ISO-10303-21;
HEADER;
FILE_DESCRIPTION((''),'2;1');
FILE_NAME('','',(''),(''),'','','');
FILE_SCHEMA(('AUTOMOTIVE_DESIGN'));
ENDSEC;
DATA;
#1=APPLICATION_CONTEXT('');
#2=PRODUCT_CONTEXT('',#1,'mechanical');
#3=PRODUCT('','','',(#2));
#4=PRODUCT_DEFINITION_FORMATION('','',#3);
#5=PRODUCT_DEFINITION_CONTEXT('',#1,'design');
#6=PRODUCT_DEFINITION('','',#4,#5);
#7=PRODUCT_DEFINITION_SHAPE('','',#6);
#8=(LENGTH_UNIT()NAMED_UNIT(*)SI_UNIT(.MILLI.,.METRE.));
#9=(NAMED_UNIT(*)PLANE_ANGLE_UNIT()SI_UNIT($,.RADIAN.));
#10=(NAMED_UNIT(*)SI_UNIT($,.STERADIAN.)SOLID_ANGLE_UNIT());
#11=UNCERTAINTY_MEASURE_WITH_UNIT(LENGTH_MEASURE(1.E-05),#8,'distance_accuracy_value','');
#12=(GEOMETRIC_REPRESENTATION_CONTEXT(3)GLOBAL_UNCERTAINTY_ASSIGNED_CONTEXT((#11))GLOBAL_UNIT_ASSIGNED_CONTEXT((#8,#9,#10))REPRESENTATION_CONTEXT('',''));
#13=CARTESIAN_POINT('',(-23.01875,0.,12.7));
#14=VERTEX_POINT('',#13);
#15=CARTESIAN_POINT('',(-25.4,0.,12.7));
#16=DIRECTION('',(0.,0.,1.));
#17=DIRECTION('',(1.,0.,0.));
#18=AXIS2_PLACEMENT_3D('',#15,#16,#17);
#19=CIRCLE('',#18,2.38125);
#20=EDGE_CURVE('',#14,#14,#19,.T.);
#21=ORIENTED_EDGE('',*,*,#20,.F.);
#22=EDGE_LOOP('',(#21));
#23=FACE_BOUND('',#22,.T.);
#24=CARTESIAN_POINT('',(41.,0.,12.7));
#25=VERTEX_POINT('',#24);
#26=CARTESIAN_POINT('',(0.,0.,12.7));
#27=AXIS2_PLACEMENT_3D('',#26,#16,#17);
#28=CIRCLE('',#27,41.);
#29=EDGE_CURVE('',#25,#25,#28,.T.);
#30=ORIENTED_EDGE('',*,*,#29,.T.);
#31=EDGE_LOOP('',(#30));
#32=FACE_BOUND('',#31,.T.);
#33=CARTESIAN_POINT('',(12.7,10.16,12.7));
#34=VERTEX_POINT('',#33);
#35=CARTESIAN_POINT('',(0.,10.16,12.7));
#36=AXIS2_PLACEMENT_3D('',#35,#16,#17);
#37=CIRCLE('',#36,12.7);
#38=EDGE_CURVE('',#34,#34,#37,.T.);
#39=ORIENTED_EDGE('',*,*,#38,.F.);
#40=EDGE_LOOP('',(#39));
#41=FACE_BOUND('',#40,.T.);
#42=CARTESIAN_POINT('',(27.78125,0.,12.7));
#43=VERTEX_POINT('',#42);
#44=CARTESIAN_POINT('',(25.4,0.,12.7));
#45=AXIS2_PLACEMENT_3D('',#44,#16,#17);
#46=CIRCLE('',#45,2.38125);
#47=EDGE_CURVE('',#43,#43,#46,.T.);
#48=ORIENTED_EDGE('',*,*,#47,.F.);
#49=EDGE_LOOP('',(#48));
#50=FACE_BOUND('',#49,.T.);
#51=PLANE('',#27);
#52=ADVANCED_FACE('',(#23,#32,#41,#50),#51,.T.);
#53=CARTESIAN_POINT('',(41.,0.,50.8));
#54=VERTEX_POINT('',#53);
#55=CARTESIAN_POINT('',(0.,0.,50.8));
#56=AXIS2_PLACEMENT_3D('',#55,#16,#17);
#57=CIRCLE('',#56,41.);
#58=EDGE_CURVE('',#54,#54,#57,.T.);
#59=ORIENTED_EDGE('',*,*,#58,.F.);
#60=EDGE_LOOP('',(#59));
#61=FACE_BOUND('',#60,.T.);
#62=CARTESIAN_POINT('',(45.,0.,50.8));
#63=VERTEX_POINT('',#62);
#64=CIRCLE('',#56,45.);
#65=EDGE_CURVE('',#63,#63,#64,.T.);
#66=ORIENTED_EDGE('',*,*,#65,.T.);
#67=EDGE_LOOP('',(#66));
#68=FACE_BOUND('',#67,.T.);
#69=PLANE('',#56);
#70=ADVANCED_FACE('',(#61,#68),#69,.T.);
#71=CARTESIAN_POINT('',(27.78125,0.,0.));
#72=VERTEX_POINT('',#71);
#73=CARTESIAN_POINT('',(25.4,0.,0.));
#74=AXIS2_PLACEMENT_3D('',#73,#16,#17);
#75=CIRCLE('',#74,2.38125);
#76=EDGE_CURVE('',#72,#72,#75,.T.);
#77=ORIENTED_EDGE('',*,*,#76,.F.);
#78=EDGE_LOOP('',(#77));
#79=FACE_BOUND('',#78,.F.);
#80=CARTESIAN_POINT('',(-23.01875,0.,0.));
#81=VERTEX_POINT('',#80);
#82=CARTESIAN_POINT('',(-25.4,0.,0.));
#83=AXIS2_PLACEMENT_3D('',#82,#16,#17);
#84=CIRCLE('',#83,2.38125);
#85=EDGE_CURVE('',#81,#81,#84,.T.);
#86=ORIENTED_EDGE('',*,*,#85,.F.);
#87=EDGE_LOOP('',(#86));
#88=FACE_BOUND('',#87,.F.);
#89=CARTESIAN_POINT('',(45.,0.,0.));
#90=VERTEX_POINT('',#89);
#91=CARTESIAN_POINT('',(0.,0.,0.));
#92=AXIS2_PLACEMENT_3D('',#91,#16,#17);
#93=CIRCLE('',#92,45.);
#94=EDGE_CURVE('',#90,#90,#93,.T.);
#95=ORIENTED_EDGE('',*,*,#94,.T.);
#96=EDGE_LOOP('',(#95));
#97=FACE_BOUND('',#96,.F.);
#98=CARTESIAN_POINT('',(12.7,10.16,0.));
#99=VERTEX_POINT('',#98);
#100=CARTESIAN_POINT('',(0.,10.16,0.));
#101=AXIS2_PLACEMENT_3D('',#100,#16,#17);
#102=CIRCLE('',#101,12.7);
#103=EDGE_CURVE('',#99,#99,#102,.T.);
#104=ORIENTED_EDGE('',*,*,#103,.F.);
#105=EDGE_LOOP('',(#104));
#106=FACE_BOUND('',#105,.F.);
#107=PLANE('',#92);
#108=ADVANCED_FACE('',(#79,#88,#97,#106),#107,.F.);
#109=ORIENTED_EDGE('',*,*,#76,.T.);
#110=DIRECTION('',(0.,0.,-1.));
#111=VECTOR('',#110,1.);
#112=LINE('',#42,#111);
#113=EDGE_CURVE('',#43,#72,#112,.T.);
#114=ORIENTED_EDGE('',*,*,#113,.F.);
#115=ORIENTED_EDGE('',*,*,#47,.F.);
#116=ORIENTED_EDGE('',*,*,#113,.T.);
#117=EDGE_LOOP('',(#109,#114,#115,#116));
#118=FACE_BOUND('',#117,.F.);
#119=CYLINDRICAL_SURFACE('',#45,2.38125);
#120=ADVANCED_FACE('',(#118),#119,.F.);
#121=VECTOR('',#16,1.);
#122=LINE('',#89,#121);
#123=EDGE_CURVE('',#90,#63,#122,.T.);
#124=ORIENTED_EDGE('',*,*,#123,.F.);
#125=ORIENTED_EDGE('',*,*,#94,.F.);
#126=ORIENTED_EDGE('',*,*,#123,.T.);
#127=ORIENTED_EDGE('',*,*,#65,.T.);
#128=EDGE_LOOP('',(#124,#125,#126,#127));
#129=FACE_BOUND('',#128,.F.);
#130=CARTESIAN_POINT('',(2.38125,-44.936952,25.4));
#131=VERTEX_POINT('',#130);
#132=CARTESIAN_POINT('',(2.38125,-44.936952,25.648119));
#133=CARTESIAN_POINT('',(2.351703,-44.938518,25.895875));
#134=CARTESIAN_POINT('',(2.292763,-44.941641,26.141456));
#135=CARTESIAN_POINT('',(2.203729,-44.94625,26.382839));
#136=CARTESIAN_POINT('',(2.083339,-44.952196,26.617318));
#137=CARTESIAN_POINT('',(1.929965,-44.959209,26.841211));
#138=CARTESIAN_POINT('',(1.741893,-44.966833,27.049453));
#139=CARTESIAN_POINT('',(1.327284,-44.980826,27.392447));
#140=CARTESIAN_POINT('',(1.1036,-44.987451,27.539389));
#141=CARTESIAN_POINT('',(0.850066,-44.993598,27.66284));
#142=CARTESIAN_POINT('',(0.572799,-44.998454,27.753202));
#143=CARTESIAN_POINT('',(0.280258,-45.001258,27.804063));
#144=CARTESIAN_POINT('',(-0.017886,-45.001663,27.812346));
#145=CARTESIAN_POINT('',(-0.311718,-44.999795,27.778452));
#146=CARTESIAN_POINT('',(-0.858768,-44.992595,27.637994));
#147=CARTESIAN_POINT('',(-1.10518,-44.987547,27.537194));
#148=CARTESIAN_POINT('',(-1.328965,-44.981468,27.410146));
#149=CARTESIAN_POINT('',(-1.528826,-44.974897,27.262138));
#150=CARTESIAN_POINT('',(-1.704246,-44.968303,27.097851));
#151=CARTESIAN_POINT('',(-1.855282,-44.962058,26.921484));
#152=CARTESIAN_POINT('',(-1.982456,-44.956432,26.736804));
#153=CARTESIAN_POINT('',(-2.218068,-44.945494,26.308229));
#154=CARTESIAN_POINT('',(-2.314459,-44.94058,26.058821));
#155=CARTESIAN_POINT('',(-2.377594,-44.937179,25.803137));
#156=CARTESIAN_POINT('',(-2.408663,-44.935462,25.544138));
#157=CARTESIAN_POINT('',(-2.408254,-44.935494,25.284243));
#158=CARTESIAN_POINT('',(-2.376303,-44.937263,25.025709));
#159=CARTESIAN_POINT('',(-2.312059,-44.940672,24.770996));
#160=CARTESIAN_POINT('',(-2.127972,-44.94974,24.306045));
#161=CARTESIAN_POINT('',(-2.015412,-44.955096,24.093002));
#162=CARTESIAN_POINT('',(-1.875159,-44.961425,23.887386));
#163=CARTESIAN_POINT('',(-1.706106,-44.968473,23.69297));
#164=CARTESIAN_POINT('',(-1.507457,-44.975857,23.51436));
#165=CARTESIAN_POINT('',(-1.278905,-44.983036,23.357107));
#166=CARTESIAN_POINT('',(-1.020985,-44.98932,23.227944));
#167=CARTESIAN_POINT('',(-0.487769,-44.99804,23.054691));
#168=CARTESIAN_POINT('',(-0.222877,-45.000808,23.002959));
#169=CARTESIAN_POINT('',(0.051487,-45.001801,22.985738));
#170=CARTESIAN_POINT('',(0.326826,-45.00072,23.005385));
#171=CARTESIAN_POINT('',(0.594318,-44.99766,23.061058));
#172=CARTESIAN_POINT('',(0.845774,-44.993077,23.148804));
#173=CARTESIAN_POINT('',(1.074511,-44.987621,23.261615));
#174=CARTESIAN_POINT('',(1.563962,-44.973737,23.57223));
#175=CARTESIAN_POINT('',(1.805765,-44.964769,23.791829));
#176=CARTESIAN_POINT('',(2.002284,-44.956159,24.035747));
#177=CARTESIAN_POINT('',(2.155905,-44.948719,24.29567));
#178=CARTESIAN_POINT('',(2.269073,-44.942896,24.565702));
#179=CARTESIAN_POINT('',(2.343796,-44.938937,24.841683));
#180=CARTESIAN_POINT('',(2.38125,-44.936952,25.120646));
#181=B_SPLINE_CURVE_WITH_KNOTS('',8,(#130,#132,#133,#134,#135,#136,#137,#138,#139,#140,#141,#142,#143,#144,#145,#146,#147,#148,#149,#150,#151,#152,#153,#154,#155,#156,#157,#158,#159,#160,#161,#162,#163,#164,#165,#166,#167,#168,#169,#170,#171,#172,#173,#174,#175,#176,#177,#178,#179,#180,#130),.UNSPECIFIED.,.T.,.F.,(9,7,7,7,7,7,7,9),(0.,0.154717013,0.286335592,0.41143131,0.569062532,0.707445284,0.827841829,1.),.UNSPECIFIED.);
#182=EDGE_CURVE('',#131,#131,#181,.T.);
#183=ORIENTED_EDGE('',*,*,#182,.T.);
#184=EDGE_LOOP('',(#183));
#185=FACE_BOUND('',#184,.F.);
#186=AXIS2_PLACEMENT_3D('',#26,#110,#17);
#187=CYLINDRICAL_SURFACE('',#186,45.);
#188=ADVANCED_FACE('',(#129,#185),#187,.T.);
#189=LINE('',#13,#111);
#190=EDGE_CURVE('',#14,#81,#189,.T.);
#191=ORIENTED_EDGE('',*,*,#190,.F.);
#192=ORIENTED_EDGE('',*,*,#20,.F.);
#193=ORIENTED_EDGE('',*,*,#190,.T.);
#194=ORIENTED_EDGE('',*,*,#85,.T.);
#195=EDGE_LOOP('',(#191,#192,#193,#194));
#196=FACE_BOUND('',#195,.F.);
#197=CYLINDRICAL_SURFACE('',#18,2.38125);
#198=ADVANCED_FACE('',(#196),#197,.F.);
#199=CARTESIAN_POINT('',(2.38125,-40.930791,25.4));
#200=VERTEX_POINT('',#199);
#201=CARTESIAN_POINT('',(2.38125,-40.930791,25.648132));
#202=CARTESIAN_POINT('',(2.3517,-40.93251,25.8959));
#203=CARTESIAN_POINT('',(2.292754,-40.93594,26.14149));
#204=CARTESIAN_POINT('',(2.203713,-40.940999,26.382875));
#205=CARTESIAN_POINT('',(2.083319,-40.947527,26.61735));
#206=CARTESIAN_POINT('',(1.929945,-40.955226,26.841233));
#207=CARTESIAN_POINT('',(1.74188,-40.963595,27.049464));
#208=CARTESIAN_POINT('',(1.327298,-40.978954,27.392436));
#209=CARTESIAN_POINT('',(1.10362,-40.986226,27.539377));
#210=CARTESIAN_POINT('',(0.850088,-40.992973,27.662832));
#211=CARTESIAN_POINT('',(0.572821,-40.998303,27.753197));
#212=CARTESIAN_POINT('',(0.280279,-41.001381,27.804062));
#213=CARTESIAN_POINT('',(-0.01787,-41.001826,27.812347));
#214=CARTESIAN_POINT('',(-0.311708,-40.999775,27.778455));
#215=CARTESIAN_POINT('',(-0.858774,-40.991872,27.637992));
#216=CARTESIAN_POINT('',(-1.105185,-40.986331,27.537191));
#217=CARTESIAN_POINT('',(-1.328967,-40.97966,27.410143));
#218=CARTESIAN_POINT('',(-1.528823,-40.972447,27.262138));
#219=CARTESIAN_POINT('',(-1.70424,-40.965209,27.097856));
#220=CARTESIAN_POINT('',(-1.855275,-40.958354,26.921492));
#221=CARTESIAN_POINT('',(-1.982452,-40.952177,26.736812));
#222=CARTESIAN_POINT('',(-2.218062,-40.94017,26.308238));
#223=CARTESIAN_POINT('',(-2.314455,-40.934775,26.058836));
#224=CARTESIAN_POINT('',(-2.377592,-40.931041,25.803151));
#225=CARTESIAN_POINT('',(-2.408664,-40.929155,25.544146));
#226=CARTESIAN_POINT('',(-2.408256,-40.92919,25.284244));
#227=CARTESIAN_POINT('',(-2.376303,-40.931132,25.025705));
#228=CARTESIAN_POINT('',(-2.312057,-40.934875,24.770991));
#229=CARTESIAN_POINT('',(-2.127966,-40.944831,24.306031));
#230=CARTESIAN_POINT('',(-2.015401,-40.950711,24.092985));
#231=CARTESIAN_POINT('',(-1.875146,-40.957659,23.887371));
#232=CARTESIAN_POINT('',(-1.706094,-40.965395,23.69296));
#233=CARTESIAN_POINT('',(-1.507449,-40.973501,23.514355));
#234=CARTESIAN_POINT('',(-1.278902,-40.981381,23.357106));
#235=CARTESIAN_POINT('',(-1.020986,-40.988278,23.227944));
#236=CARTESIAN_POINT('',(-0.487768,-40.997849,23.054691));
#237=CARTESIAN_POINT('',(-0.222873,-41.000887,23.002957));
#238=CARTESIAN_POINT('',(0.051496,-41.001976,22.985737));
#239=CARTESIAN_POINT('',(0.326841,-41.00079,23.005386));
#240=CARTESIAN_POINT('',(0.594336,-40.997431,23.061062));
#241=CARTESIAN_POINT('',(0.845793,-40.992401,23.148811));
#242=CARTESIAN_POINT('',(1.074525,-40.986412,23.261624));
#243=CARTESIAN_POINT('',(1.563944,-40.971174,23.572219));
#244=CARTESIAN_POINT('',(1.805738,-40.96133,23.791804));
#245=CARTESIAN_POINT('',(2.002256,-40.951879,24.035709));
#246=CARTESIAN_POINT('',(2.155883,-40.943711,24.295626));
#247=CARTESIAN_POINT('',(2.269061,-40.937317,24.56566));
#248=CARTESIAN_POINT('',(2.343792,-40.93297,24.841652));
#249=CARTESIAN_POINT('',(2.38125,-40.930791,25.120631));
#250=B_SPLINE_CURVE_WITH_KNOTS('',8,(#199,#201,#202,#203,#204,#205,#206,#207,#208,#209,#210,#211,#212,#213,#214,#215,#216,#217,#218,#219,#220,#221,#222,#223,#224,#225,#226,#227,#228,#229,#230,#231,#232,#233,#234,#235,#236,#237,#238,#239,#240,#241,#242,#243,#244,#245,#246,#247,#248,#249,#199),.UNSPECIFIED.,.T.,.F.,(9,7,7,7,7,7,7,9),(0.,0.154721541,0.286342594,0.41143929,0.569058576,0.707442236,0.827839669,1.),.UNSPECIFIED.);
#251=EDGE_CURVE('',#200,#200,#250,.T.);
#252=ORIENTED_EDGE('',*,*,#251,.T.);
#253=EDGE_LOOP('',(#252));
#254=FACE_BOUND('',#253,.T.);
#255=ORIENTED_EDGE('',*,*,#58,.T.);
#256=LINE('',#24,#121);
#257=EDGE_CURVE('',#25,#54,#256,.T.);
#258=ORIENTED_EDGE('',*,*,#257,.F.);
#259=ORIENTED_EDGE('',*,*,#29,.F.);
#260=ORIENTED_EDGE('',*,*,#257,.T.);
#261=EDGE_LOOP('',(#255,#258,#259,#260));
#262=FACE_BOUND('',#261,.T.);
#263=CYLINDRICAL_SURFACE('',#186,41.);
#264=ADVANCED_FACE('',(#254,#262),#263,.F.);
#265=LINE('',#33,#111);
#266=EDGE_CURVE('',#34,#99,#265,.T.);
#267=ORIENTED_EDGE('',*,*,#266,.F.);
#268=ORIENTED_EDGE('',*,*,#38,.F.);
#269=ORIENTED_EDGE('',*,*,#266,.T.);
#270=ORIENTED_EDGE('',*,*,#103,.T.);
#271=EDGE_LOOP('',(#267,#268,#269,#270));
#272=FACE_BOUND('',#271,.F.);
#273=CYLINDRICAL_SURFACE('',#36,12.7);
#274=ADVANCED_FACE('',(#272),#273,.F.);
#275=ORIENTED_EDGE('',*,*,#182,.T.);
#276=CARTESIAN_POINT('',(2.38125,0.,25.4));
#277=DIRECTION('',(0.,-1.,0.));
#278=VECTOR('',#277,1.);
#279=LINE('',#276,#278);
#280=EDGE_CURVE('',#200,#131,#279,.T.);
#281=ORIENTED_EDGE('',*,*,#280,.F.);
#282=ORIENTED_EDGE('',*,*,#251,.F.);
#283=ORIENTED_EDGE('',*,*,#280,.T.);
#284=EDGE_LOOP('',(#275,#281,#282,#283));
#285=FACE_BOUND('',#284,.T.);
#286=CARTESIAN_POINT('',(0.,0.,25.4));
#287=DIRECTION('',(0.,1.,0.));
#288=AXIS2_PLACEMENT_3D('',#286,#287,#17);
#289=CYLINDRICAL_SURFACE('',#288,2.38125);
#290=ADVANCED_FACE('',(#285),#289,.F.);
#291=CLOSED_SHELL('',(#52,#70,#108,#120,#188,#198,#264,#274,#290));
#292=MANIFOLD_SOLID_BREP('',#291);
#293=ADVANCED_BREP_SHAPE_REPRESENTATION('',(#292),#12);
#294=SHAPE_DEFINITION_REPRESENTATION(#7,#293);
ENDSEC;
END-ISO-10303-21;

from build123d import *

# Parameters (mm, degrees)
F0_R     = 45
F1_DEPTH = 12.7
F2_R     = 45
F2_R_2   = 41
F3_DEPTH = 38.1
F4_R     = 2.38125
F5_DEPTH = 79.502
F6_R     = 2.38125
F7_DEPTH = 25.4
F8_R     = 12.7
F9_DEPTH = 25.4


with BuildPart() as f1:
    # F0 (on Top) → F1 (new body)
    with BuildSketch(Plane.XY):
        Circle(F0_R)
    extrude(amount=F1_DEPTH)

    # F2 (on face) → F3 (join)
    with BuildSketch(Plane.XY.offset(12.7)):
        Circle(F2_R)
        Circle(F2_R_2, mode=Mode.SUBTRACT)
    extrude(amount=F3_DEPTH)

    # F4 (on Front) → F5 (cut)
    with BuildSketch(Plane.XZ):
        with Locations((0, 25.4)):
            Circle(F4_R)
    extrude(amount=F5_DEPTH, mode=Mode.SUBTRACT)

    # F6 (on face) → F7 (cut)
    with BuildSketch(Plane.XY.offset(12.7)):
        with Locations((-25.4, 0)):
            Circle(F6_R)
        with Locations((25.4, 0)):
            Circle(F6_R)
    extrude(amount=-F7_DEPTH, mode=Mode.SUBTRACT)

    # F8 (on face) → F9 (cut)
    with BuildSketch(Plane.XY.offset(12.7)):
        with Locations((0, 10.16)):
            Circle(F8_R)
    extrude(amount=-F9_DEPTH, mode=Mode.SUBTRACT)


solid = f1.part
